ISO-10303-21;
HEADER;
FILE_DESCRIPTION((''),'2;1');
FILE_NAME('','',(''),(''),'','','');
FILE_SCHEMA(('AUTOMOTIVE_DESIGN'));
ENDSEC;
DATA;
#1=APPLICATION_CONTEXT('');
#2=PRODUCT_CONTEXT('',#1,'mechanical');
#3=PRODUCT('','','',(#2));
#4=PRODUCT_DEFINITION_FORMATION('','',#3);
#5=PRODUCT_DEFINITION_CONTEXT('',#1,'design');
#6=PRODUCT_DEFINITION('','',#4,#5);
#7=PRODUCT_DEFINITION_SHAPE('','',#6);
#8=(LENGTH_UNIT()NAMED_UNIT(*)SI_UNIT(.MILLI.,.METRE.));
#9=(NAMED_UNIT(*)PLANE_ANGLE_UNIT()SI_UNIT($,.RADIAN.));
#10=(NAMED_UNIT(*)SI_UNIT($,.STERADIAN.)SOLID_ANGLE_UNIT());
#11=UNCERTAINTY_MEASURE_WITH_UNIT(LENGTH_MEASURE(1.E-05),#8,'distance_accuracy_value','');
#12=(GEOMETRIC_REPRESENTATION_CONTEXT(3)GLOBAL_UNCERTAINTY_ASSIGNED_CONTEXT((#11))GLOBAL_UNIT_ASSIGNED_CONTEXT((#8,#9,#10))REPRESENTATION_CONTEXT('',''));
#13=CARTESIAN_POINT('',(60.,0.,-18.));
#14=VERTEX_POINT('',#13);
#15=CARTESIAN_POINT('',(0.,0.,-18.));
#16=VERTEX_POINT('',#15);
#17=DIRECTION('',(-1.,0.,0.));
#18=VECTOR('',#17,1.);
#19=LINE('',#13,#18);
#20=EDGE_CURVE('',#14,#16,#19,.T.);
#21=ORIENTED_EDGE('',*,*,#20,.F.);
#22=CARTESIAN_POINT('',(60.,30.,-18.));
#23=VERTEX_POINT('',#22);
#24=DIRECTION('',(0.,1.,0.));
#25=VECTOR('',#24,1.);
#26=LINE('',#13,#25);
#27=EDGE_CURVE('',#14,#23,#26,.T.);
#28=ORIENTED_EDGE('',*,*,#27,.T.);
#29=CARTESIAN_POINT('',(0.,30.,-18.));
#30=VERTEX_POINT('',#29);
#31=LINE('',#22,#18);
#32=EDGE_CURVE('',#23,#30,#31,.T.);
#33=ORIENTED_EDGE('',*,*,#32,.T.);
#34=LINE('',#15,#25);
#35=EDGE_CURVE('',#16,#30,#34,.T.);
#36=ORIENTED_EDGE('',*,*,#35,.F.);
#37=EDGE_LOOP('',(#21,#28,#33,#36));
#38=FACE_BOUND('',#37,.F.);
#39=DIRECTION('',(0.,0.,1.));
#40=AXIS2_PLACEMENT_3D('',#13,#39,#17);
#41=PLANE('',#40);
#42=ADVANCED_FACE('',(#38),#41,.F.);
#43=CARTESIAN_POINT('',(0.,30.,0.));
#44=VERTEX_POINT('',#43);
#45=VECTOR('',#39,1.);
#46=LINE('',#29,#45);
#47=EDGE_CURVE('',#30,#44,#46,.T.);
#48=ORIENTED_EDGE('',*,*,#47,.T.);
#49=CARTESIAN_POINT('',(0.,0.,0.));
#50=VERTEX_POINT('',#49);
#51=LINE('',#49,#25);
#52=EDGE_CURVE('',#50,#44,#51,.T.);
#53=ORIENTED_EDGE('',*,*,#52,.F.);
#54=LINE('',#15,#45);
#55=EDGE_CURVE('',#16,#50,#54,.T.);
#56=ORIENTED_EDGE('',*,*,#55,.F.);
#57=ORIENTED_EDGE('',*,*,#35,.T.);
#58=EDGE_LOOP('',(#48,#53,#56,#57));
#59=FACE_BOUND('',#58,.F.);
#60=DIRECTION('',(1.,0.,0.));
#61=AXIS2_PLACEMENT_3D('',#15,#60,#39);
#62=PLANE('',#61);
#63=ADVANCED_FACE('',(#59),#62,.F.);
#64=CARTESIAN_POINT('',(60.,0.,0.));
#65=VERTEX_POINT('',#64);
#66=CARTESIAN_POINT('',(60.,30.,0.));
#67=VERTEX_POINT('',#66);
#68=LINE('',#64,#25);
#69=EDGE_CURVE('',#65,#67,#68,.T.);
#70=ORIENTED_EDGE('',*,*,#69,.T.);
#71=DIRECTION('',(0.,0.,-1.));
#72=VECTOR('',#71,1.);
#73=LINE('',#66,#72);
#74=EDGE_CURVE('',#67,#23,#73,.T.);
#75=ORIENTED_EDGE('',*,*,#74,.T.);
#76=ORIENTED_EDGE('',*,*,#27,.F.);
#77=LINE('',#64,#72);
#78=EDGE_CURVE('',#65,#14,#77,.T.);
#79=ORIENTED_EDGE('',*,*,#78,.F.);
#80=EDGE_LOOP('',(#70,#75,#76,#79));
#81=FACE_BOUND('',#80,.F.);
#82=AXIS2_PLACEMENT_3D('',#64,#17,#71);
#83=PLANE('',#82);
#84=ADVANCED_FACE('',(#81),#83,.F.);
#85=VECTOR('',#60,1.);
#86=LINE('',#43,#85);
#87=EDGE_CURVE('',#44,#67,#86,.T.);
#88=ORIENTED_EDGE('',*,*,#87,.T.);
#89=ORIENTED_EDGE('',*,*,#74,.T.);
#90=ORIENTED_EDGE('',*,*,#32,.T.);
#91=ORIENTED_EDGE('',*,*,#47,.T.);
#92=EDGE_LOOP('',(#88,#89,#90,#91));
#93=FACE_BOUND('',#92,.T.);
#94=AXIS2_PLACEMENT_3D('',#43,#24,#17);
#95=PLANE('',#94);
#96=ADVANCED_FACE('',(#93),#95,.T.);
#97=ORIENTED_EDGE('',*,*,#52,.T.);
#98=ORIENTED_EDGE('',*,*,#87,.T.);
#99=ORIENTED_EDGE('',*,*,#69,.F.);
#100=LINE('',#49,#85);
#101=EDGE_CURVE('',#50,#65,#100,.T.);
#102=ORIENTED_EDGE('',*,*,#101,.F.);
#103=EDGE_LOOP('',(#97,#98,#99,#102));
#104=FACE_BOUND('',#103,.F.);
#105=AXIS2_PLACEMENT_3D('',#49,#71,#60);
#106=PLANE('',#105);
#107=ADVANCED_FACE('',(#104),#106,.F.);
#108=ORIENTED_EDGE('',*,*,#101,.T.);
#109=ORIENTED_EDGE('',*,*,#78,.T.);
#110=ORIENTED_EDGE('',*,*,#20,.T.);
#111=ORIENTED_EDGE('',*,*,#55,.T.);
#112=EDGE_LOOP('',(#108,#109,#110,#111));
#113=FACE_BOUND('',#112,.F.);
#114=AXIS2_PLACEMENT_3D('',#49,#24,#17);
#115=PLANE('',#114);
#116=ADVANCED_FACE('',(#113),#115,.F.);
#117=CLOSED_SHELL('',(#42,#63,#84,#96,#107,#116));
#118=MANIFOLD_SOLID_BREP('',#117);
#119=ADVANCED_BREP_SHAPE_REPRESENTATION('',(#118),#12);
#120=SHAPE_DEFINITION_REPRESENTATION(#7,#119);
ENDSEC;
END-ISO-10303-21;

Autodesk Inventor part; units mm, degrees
ref_plane "YZ Plane" through (0, 0, 0) normal (1, 0, 0) x (0, 1, 0)
ref_plane "XZ Plane" through (0, 0, 0) normal (0, 1, 0) x (-1, 0, 0)
ref_plane "XY Plane" through (0, 0, 0) normal (0, 0, 1) x (1, 0, 0)
sketch "Sketch1" plane through (0, 0, 0) normal (0, 1, 0) x (-1, 0, 0)
  line L0 (0, 0) -> (-60, 0)
  line L1 (-60, 0) -> (-60, -18)
  line L2 (-60, -18) -> (0, -18)
  line L3 (0, -18) -> (0, 0)
  dimension "d0" = 60
  dimension "d1" = 18
extrude "Extrusion1" add sketch "Sketch1" along normal blind 30
properties part number "lipo3s650mah"
